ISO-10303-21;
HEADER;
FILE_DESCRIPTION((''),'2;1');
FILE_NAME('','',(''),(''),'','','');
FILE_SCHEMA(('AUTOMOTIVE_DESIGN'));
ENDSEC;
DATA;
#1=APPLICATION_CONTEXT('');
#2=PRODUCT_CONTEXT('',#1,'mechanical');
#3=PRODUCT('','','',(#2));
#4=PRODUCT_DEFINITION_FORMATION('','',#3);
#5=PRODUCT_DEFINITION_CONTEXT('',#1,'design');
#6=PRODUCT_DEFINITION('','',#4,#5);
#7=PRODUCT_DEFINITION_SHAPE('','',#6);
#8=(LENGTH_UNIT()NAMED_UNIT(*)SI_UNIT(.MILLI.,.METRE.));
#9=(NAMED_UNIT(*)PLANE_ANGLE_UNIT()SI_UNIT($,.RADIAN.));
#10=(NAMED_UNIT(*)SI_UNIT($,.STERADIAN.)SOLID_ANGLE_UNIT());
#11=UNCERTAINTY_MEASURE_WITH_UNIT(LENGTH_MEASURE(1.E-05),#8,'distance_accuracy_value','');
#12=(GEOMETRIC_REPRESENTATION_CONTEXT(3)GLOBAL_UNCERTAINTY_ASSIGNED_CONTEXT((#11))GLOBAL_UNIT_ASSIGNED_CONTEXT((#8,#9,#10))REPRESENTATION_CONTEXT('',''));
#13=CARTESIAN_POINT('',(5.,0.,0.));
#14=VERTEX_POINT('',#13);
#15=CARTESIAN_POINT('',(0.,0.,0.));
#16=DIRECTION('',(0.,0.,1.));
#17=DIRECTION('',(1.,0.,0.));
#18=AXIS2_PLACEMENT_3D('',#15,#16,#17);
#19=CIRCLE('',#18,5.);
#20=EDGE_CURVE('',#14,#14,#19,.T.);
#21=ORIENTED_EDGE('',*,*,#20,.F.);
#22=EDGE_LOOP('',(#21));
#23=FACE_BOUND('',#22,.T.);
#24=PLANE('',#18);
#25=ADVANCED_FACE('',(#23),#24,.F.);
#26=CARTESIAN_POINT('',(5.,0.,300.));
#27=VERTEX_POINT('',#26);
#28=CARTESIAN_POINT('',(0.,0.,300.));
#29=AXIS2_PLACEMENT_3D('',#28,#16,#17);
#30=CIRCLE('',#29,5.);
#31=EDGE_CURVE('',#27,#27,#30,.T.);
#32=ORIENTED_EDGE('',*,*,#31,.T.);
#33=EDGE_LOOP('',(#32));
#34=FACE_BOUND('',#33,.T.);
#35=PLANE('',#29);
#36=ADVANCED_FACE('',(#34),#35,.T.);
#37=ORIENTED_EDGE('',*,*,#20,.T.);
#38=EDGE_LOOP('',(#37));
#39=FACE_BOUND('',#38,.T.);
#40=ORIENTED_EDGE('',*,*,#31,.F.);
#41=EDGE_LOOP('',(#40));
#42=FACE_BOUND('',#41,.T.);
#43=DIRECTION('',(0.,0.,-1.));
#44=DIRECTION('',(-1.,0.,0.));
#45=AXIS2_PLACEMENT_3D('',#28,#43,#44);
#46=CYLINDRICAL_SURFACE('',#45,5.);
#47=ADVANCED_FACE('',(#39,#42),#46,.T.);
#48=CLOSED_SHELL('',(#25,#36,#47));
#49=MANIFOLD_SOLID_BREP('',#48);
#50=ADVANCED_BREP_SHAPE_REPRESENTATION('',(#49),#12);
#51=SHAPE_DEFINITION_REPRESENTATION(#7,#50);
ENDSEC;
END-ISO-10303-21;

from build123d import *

# Parameters (mm, degrees)
SKETCH_1_R      = 5
EXTRUDE_1_DEPTH = 300


with BuildPart() as part:
    # 草图1 → 凸台-拉伸1 (new body)
    with BuildSketch(Plane.XY):
        Circle(SKETCH_1_R)
    extrude(amount=EXTRUDE_1_DEPTH)


solid = part.part
